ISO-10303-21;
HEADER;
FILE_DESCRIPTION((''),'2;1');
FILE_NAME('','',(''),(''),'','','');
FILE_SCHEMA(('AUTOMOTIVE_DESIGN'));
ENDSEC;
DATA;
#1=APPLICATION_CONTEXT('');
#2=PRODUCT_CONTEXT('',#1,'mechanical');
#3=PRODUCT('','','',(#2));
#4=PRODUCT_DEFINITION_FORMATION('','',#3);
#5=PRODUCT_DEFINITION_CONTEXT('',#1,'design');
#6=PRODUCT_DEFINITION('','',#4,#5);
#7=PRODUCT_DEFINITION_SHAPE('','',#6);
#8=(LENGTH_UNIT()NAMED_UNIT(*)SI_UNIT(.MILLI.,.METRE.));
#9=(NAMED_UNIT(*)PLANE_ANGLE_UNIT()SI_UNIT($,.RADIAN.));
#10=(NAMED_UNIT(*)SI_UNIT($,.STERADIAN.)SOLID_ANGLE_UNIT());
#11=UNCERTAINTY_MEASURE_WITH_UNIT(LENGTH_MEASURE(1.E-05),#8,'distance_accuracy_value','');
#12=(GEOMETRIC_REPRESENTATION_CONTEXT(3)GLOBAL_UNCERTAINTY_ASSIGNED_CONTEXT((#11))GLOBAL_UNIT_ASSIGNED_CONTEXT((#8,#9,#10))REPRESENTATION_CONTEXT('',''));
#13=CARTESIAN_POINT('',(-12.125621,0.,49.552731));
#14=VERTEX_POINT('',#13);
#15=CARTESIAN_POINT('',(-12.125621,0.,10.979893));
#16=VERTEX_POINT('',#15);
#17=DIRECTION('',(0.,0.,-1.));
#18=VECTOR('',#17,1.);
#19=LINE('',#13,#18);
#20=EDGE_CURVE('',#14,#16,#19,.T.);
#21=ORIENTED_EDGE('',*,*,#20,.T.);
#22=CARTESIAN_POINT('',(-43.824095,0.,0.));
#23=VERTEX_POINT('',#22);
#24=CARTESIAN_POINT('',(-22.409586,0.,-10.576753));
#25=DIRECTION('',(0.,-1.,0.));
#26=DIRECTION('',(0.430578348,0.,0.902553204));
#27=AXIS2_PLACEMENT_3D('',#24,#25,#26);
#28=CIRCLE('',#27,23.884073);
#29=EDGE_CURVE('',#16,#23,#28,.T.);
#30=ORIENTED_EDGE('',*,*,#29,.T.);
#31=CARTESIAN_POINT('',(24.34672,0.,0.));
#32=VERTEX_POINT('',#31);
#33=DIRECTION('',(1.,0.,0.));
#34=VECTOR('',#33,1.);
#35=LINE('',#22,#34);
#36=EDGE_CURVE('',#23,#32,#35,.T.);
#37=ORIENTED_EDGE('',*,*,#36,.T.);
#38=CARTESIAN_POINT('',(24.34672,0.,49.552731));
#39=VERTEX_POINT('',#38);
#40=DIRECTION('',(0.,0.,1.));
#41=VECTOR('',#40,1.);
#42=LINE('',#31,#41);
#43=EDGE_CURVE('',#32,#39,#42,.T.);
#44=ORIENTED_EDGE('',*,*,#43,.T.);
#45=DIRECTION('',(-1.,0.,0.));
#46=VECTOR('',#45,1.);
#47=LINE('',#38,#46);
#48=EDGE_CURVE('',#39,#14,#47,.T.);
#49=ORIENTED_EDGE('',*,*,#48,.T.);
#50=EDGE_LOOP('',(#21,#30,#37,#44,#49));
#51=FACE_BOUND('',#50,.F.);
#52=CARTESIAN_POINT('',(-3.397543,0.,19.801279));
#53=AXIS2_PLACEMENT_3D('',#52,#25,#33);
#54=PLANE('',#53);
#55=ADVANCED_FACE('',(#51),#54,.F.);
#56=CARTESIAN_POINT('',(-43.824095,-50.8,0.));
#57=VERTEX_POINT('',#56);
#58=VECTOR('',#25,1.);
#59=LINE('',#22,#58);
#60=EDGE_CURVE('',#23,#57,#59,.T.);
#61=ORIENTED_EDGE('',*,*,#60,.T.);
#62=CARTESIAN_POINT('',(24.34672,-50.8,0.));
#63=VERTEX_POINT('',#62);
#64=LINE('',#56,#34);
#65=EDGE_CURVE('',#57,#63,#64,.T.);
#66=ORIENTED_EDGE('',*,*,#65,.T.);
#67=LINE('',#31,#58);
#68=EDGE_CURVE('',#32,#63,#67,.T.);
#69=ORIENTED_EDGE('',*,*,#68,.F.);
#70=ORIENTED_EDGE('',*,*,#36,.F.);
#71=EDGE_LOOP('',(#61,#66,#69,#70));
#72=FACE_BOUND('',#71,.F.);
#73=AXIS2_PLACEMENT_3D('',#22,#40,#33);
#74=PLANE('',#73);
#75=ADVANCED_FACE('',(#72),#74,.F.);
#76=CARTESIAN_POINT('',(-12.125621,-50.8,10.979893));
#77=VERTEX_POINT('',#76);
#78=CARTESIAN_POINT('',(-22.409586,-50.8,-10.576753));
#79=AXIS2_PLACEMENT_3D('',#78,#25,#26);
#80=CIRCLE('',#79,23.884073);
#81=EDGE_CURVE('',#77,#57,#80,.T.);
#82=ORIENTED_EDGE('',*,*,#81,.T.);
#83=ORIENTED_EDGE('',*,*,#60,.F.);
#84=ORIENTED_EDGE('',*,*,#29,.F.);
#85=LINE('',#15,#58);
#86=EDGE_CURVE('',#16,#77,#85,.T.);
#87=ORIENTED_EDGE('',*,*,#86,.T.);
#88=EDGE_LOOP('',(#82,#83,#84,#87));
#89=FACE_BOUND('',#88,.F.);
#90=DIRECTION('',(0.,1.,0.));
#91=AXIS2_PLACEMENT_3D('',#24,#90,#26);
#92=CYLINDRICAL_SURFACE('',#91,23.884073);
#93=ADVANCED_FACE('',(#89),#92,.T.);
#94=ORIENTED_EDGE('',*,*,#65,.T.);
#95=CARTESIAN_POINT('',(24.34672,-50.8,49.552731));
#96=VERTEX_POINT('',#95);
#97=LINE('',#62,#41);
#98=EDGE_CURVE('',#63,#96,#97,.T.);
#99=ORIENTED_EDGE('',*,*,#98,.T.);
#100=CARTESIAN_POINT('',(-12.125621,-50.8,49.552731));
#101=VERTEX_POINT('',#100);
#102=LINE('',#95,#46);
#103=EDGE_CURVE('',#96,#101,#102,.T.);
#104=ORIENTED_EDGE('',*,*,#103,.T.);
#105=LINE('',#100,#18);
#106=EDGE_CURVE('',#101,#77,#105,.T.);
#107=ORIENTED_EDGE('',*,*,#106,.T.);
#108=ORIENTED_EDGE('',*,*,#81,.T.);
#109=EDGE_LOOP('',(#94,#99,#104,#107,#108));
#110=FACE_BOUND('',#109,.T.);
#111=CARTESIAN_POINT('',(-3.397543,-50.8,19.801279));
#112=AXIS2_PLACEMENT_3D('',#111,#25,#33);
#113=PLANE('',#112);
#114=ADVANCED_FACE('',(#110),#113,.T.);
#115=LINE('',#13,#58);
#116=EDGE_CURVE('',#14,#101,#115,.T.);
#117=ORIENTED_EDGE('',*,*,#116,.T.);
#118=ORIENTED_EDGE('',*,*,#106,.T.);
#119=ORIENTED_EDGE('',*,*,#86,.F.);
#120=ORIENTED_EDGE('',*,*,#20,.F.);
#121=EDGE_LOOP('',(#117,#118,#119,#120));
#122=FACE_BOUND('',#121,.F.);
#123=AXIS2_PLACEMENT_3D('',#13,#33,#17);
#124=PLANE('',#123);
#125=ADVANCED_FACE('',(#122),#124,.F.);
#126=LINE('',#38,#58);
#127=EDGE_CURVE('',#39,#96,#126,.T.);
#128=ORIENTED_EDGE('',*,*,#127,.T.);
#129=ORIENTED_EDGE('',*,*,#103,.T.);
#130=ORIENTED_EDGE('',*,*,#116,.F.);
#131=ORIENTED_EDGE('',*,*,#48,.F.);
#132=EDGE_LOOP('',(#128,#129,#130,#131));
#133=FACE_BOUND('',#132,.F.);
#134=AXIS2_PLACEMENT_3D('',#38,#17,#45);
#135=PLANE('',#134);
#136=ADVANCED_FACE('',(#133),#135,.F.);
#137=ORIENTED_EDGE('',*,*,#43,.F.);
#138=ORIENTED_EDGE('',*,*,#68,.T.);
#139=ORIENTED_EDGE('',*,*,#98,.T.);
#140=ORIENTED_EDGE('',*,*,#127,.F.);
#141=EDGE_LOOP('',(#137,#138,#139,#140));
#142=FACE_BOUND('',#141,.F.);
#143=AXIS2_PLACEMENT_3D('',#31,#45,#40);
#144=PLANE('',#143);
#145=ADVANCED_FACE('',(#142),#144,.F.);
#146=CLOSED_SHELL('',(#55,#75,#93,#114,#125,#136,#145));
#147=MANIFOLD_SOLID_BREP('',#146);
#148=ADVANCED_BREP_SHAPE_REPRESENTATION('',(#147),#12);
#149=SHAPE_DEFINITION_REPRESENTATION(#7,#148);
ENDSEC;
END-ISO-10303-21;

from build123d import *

# Parameters (mm, degrees)
F1_DEPTH = 50.8


with BuildPart() as f1:
    # F0 (on Front) → F1 (new body)
    with BuildSketch(Plane.XZ):
        with BuildLine():
            Line((-43.824095, 0), (0, 0))
            Line((0, 0), (24.34672, 0))
            Line((24.34672, 0), (24.34672, 49.552731))
            Line((24.34672, 49.552731), (21.673353, 49.552731))
            Line((21.673353, 49.552731), (-12.125621, 49.552731))
            Line((-12.125621, 49.552731), (-12.125621, 10.979893))
            ThreePointArc((-12.125621, 10.979893), (-30.226987, 11.991746), (-43.824095, 0))
        make_face()
    extrude(amount=F1_DEPTH)


solid = f1.part
